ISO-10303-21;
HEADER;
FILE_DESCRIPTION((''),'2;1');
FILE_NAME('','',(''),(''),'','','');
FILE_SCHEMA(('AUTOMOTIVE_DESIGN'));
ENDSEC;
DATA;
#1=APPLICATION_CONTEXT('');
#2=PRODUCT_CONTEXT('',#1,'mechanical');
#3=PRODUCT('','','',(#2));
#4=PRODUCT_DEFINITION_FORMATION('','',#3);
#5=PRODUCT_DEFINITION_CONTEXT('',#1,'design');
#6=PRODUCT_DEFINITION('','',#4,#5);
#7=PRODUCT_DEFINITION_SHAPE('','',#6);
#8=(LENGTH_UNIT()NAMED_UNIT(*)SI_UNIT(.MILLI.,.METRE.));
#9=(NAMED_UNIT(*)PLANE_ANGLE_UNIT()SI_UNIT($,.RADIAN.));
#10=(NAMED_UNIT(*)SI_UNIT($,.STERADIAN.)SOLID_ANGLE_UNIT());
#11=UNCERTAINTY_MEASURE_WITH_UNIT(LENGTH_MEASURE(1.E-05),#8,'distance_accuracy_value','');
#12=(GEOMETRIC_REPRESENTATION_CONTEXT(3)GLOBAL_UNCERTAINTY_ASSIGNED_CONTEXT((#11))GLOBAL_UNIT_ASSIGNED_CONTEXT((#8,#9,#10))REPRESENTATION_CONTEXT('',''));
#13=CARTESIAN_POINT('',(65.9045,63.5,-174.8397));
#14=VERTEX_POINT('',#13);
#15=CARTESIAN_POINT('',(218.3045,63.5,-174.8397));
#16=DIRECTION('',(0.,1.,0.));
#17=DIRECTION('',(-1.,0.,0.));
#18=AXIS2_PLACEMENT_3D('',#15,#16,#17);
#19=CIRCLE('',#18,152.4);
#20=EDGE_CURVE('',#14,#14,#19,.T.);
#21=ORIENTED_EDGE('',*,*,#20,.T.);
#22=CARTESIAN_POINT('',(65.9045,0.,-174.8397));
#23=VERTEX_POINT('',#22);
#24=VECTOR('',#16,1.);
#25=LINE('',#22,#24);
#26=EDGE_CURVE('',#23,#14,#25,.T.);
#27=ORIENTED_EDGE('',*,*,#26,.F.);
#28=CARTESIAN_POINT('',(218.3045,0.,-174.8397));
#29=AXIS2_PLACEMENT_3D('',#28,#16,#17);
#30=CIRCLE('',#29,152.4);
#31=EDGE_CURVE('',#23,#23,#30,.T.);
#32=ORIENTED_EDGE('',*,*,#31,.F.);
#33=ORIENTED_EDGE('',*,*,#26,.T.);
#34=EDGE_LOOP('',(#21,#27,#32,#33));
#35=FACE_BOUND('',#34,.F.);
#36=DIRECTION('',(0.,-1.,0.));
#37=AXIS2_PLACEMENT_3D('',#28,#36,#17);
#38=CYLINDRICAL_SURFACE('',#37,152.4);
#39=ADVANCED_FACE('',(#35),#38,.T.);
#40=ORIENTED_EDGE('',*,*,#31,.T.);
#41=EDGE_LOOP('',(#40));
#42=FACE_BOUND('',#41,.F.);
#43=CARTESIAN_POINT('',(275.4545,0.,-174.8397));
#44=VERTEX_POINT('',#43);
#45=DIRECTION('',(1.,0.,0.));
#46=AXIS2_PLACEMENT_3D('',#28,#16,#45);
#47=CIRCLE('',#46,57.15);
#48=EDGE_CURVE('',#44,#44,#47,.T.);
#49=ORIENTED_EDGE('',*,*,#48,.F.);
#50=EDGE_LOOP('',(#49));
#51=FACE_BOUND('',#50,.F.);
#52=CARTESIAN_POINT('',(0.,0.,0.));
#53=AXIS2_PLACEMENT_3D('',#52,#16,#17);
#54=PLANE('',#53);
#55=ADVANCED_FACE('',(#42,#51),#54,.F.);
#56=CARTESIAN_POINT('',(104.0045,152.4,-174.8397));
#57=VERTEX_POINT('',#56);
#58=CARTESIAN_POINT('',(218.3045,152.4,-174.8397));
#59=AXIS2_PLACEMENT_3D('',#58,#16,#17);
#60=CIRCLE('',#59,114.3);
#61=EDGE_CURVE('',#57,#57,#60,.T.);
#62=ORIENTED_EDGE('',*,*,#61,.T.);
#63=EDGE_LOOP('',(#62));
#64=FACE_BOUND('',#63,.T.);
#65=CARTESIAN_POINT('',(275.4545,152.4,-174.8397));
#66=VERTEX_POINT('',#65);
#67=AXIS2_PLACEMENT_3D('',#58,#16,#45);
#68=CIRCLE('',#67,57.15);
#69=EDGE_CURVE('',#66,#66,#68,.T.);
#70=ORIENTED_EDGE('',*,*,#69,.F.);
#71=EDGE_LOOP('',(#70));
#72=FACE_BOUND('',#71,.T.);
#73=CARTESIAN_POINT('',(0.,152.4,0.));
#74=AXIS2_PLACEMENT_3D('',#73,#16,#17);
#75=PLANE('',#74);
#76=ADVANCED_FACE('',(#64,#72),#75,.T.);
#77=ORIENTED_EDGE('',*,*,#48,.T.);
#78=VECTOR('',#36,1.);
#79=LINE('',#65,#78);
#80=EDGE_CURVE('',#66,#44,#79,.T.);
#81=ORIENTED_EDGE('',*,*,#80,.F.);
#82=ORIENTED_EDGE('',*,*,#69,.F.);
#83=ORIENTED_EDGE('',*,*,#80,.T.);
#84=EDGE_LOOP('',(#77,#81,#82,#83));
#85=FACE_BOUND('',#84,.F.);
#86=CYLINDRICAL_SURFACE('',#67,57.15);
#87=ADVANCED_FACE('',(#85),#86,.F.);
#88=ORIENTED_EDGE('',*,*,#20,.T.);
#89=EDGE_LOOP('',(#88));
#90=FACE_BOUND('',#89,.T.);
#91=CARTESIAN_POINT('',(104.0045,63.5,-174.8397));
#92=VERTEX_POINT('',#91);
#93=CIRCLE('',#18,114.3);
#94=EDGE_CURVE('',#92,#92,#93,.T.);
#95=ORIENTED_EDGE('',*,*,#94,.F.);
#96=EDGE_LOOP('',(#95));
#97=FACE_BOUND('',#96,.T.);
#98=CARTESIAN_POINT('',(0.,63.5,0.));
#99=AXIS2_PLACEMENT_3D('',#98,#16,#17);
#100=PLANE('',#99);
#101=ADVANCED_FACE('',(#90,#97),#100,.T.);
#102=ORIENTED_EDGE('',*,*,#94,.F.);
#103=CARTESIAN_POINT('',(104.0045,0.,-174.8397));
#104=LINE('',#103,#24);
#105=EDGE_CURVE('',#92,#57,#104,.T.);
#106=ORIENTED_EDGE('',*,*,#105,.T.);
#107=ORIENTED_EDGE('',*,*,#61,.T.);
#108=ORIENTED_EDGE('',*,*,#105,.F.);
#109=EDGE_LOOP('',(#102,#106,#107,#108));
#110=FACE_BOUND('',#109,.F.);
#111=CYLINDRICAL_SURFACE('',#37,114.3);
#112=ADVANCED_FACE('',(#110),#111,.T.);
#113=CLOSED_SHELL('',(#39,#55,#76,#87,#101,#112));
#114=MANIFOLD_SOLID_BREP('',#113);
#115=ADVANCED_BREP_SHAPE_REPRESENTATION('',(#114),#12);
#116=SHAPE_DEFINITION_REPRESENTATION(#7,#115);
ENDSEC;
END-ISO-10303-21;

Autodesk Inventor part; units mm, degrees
ref_plane "YZ Plane" through (0, 0, 0) normal (1, 0, 0) x (0, 1, 0)
ref_plane "XZ Plane" through (0, 0, 0) normal (0, 1, 0) x (-1, 0, 0)
ref_plane "XY Plane" through (0, 0, 0) normal (0, 0, 1) x (1, 0, 0)
sketch "Sketch1" plane through (0, 0, 0) normal (0, 1, 0) x (-1, 0, 0)
  circle A0 centre (-218.3045, -174.8397) radius 152.4
  circle A1 centre (-218.3045, -174.8397) radius 114.3
  circle A2 centre (-218.3045, -174.8397) radius 57.15
  point P0 (0, 0)
  dimension "d0" = 304.8
  dimension "d1" = 228.6
  dimension "d6" = 114.3
extrude "Extrusion1" add sketch "Sketch1" along normal blind 63.5 contours A0
extrude "Extrusion2" add sketch "Sketch1" along normal blind 152.4 contours A1 | A2
sketch "Sketch2" plane through (218.3045, 152.4, -174.8397) normal (0, 1, 0) x (1, 0, 0)
  circle A0 centre (0, 0) radius 57.15
  point P0 (-218.3045, -174.8397)
  dimension "d7" = 114.3
extrude "Extrusion3" cut sketch "Sketch2" against normal through all
sketch "Sketch3" plane through (218.3045, 63.5, -174.8397) normal (0, 1, 0) x (1, 0, 0)
  circle A0 centre (133.5524, 0) radius 10.16
  circle A1 centre (0, 135.3792) radius 10.16
  circle A2 centre (-132.8036, 0) radius 10.16
  circle A3 centre (0, -134.7909) radius 11.3617
  point P0 (-218.3045, -174.8397)
  dimension "d10" = 20.32
  dimension "d11" = 20.32
  dimension "d12" = 20.32
properties part number "7.2 Part #"
